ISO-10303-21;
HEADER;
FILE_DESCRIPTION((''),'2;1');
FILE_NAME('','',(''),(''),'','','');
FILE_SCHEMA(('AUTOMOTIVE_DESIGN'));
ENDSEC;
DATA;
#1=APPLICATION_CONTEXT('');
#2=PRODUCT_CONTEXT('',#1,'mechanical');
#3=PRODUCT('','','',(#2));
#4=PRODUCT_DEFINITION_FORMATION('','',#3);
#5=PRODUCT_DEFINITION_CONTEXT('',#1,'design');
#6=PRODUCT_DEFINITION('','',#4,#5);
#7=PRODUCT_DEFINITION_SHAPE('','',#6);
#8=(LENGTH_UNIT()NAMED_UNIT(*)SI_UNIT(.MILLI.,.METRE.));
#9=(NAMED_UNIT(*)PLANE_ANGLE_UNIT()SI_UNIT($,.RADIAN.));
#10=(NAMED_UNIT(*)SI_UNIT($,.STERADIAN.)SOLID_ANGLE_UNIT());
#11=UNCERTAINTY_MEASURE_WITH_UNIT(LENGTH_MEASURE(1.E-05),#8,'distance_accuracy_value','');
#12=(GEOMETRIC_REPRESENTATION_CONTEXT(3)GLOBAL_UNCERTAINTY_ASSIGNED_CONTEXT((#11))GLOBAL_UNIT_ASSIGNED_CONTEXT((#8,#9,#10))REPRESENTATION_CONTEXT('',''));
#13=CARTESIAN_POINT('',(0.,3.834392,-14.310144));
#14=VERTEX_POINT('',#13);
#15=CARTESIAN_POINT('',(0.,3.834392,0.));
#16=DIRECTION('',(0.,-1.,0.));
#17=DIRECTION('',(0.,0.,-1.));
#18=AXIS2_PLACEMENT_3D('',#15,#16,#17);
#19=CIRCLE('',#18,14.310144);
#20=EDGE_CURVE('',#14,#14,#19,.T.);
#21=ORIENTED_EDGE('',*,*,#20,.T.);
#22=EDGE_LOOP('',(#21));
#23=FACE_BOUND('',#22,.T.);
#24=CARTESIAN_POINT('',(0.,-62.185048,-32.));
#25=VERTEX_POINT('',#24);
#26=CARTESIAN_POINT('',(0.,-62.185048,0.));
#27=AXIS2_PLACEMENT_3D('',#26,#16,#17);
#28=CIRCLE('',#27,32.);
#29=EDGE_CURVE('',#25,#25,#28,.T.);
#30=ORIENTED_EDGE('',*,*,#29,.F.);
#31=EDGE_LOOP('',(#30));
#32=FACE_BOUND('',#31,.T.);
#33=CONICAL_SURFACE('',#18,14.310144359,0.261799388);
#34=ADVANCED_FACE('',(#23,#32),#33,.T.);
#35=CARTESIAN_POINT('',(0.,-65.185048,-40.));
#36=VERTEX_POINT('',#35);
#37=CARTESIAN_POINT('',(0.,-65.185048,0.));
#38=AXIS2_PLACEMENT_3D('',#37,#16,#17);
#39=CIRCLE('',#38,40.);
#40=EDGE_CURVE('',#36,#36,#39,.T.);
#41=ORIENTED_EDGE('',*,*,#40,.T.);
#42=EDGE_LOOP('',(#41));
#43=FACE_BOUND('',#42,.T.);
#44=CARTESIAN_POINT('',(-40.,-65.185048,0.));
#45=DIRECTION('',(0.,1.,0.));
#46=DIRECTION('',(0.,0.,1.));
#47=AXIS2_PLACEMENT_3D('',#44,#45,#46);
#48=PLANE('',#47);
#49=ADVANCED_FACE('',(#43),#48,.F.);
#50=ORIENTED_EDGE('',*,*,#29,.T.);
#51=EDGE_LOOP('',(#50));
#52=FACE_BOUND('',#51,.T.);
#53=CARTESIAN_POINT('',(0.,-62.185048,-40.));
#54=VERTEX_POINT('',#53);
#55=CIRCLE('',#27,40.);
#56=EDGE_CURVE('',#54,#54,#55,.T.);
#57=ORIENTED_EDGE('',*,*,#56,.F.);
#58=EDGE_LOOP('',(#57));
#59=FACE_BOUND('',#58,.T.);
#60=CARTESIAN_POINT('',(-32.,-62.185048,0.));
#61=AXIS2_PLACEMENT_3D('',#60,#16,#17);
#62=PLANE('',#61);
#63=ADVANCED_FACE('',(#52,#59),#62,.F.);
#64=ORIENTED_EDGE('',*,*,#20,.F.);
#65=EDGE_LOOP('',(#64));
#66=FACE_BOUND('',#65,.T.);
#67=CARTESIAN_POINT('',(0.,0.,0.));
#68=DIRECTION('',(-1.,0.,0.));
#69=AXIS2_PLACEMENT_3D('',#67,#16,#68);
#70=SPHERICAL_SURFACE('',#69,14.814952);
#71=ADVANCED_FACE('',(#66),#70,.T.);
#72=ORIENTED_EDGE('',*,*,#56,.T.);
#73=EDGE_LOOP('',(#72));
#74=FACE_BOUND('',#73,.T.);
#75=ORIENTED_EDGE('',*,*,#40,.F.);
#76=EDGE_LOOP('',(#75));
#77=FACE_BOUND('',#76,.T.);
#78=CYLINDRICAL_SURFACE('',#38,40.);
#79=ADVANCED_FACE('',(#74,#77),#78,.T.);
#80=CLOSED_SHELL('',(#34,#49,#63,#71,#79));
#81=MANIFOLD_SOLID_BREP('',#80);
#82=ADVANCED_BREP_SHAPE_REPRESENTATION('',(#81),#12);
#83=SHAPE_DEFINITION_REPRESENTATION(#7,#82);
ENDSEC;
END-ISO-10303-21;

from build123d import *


with BuildPart() as part:
    # 草图2 → 旋转1 (revolve)
    with BuildSketch(Plane.XY, mode=Mode.PRIVATE) as revolve_1_sk:
        with BuildLine():
            Line((-14.310144359, 3.834391625), (-32, -62.185048407))
            Line((-32, -62.185048407), (-40, -62.185048407))
            Line((-40, -62.185048407), (-40, -65.185048407))
            Line((-40, -65.185048407), (0, -65.185048407))
            Line((0, -65.185048407), (0, 14.814951593))
            ThreePointArc((0, 14.814951593), (-9.018771102, 11.753491332), (-14.310144359, 3.834391625))
        make_face()
    revolve(revolve_1_sk.sketch.rotate(Axis((0, -65.185048407, 0), (0, 1, 0)), 270), axis=Axis((0, -65.185048407, 0), (0, 1, 0)))


solid = part.part
